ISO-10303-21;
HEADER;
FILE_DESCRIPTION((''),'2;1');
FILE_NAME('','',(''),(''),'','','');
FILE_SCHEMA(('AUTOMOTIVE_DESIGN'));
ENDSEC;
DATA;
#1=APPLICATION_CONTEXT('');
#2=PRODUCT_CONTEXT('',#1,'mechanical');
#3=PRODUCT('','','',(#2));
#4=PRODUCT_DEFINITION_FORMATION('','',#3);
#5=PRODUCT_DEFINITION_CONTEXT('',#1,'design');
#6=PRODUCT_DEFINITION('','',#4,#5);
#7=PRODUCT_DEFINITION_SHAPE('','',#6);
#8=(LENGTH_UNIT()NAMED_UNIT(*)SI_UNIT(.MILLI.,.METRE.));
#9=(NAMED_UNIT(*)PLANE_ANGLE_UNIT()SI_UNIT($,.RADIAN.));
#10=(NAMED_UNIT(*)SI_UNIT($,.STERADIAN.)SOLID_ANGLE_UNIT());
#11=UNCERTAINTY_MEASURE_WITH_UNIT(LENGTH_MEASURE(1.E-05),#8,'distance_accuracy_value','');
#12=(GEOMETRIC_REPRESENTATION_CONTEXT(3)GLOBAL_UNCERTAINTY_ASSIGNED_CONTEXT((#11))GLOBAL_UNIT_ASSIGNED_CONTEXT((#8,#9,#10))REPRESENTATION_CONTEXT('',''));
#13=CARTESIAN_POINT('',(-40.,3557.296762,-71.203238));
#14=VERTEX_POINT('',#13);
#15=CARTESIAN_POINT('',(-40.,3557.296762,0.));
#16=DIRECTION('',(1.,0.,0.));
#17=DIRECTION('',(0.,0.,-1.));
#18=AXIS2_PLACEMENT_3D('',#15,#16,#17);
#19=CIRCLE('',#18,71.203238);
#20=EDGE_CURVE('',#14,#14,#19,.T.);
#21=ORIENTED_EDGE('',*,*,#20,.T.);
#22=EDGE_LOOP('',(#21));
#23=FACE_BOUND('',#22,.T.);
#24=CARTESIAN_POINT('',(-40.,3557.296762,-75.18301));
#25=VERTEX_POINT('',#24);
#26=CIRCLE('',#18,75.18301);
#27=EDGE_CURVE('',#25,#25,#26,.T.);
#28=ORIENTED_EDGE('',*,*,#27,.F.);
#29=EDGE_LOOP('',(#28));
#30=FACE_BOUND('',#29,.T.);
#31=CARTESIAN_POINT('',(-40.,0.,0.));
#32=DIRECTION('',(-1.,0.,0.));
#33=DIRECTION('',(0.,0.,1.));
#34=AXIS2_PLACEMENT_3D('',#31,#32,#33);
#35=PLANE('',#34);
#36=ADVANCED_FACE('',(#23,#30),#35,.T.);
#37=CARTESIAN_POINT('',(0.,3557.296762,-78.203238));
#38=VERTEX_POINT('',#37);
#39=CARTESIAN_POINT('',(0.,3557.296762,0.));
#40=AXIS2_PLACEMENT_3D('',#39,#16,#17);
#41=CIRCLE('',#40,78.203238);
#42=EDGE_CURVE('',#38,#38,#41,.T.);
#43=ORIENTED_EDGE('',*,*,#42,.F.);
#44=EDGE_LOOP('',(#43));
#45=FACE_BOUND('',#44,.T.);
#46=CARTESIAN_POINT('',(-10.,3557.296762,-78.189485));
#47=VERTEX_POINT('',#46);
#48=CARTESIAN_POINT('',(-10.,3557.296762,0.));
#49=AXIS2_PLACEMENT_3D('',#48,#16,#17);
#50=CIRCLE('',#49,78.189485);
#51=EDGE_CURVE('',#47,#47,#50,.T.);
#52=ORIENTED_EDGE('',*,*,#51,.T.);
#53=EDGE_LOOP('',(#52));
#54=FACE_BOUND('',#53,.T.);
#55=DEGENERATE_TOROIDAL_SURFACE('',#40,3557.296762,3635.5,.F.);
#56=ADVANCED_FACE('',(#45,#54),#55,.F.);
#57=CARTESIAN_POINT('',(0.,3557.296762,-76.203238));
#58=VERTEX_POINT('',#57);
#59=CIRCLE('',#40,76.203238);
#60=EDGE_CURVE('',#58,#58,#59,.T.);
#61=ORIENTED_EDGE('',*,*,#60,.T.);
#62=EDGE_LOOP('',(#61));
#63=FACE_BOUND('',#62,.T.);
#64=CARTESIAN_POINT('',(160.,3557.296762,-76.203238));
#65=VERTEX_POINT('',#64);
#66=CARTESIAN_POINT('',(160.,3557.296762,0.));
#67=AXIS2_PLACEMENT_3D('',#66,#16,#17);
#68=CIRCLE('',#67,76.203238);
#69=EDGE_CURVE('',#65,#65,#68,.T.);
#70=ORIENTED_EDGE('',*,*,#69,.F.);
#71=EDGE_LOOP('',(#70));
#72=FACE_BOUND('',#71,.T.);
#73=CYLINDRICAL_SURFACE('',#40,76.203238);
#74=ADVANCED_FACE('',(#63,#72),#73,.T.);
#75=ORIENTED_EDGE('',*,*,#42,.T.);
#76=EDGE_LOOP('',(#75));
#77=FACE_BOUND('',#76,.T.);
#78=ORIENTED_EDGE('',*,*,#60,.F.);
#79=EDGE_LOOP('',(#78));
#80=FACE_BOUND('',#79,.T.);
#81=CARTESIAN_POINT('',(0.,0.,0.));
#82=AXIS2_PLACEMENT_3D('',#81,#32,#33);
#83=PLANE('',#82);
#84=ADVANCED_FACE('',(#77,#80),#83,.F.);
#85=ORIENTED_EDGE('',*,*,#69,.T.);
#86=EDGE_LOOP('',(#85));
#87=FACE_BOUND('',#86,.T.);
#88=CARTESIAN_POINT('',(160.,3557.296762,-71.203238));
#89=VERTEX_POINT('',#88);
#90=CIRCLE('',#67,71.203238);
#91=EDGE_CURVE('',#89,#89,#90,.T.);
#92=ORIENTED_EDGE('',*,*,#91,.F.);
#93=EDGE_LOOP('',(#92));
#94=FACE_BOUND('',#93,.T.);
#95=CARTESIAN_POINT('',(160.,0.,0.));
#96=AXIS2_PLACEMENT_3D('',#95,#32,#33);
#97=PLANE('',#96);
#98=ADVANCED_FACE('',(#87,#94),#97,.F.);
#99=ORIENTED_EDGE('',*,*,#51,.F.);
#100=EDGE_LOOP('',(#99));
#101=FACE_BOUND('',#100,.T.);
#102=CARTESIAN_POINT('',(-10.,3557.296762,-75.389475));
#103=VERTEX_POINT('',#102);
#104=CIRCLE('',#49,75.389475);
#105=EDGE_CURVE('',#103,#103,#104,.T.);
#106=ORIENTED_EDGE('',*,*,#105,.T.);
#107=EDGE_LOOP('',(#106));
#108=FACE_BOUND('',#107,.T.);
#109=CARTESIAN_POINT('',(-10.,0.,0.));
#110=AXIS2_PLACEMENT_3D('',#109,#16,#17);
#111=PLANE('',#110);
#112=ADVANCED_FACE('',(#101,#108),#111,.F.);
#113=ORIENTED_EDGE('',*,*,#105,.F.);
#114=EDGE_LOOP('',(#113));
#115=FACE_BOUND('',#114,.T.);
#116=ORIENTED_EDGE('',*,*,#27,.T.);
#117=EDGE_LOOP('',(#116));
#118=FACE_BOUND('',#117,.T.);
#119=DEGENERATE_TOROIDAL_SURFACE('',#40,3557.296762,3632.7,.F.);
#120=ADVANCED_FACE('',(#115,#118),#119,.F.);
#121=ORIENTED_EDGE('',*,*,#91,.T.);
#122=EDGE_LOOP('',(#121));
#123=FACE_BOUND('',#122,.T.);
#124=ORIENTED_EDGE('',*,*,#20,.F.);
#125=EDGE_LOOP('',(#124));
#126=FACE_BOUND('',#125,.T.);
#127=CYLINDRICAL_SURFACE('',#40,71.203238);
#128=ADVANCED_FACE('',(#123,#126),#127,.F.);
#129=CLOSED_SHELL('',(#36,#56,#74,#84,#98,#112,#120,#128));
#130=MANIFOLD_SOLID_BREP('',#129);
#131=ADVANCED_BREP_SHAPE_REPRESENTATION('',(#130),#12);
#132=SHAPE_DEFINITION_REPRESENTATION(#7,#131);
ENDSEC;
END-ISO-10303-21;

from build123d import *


with BuildPart() as part:
    # Sketch1 → Revolve1 (revolve)
    with BuildSketch(Plane.XY, mode=Mode.PRIVATE) as revolve1_sk:
        with BuildLine():
            Line((0, 3633.5), (0, 3635.5))
            ThreePointArc((0, 3635.5), (-5.000004729, 3635.496561675), (-10, 3635.486246708))
            Line((-10, 3635.486246708), (-10, 3632.986237243))
            Line((-10, 3632.986237243), (-10, 3632.686236107))
            ThreePointArc((-10, 3632.686236107), (-25.000213137, 3632.613973345), (-40, 3632.479771451))
            Line((-40, 3632.479771451), (-40, 3630.279637989))
            ThreePointArc((-40, 3630.279637989), (-22.500261409, 3630.430275909), (-5, 3630.496556946))
            Line((-5, 3630.496556946), (-5, 3628.5))
            Line((-5, 3628.5), (160, 3628.5))
            Line((160, 3628.5), (160, 3633.5))
            Line((160, 3633.5), (0, 3633.5))
        make_face()
        with BuildLine():
            Line((-40, 3628.5), (-5, 3628.5))
            Line((-5, 3628.5), (-5, 3630.496556946))
            ThreePointArc((-5, 3630.496556946), (-22.500261409, 3630.430275909), (-40, 3630.279637989))
            Line((-40, 3630.279637989), (-40, 3628.5))
        make_face()
    revolve(revolve1_sk.sketch.rotate(Axis((0, 3557.296761587, 0), (-1, 0, 0)), 90), axis=Axis((0, 3557.296761587, 0), (-1, 0, 0)))


solid = part.part
